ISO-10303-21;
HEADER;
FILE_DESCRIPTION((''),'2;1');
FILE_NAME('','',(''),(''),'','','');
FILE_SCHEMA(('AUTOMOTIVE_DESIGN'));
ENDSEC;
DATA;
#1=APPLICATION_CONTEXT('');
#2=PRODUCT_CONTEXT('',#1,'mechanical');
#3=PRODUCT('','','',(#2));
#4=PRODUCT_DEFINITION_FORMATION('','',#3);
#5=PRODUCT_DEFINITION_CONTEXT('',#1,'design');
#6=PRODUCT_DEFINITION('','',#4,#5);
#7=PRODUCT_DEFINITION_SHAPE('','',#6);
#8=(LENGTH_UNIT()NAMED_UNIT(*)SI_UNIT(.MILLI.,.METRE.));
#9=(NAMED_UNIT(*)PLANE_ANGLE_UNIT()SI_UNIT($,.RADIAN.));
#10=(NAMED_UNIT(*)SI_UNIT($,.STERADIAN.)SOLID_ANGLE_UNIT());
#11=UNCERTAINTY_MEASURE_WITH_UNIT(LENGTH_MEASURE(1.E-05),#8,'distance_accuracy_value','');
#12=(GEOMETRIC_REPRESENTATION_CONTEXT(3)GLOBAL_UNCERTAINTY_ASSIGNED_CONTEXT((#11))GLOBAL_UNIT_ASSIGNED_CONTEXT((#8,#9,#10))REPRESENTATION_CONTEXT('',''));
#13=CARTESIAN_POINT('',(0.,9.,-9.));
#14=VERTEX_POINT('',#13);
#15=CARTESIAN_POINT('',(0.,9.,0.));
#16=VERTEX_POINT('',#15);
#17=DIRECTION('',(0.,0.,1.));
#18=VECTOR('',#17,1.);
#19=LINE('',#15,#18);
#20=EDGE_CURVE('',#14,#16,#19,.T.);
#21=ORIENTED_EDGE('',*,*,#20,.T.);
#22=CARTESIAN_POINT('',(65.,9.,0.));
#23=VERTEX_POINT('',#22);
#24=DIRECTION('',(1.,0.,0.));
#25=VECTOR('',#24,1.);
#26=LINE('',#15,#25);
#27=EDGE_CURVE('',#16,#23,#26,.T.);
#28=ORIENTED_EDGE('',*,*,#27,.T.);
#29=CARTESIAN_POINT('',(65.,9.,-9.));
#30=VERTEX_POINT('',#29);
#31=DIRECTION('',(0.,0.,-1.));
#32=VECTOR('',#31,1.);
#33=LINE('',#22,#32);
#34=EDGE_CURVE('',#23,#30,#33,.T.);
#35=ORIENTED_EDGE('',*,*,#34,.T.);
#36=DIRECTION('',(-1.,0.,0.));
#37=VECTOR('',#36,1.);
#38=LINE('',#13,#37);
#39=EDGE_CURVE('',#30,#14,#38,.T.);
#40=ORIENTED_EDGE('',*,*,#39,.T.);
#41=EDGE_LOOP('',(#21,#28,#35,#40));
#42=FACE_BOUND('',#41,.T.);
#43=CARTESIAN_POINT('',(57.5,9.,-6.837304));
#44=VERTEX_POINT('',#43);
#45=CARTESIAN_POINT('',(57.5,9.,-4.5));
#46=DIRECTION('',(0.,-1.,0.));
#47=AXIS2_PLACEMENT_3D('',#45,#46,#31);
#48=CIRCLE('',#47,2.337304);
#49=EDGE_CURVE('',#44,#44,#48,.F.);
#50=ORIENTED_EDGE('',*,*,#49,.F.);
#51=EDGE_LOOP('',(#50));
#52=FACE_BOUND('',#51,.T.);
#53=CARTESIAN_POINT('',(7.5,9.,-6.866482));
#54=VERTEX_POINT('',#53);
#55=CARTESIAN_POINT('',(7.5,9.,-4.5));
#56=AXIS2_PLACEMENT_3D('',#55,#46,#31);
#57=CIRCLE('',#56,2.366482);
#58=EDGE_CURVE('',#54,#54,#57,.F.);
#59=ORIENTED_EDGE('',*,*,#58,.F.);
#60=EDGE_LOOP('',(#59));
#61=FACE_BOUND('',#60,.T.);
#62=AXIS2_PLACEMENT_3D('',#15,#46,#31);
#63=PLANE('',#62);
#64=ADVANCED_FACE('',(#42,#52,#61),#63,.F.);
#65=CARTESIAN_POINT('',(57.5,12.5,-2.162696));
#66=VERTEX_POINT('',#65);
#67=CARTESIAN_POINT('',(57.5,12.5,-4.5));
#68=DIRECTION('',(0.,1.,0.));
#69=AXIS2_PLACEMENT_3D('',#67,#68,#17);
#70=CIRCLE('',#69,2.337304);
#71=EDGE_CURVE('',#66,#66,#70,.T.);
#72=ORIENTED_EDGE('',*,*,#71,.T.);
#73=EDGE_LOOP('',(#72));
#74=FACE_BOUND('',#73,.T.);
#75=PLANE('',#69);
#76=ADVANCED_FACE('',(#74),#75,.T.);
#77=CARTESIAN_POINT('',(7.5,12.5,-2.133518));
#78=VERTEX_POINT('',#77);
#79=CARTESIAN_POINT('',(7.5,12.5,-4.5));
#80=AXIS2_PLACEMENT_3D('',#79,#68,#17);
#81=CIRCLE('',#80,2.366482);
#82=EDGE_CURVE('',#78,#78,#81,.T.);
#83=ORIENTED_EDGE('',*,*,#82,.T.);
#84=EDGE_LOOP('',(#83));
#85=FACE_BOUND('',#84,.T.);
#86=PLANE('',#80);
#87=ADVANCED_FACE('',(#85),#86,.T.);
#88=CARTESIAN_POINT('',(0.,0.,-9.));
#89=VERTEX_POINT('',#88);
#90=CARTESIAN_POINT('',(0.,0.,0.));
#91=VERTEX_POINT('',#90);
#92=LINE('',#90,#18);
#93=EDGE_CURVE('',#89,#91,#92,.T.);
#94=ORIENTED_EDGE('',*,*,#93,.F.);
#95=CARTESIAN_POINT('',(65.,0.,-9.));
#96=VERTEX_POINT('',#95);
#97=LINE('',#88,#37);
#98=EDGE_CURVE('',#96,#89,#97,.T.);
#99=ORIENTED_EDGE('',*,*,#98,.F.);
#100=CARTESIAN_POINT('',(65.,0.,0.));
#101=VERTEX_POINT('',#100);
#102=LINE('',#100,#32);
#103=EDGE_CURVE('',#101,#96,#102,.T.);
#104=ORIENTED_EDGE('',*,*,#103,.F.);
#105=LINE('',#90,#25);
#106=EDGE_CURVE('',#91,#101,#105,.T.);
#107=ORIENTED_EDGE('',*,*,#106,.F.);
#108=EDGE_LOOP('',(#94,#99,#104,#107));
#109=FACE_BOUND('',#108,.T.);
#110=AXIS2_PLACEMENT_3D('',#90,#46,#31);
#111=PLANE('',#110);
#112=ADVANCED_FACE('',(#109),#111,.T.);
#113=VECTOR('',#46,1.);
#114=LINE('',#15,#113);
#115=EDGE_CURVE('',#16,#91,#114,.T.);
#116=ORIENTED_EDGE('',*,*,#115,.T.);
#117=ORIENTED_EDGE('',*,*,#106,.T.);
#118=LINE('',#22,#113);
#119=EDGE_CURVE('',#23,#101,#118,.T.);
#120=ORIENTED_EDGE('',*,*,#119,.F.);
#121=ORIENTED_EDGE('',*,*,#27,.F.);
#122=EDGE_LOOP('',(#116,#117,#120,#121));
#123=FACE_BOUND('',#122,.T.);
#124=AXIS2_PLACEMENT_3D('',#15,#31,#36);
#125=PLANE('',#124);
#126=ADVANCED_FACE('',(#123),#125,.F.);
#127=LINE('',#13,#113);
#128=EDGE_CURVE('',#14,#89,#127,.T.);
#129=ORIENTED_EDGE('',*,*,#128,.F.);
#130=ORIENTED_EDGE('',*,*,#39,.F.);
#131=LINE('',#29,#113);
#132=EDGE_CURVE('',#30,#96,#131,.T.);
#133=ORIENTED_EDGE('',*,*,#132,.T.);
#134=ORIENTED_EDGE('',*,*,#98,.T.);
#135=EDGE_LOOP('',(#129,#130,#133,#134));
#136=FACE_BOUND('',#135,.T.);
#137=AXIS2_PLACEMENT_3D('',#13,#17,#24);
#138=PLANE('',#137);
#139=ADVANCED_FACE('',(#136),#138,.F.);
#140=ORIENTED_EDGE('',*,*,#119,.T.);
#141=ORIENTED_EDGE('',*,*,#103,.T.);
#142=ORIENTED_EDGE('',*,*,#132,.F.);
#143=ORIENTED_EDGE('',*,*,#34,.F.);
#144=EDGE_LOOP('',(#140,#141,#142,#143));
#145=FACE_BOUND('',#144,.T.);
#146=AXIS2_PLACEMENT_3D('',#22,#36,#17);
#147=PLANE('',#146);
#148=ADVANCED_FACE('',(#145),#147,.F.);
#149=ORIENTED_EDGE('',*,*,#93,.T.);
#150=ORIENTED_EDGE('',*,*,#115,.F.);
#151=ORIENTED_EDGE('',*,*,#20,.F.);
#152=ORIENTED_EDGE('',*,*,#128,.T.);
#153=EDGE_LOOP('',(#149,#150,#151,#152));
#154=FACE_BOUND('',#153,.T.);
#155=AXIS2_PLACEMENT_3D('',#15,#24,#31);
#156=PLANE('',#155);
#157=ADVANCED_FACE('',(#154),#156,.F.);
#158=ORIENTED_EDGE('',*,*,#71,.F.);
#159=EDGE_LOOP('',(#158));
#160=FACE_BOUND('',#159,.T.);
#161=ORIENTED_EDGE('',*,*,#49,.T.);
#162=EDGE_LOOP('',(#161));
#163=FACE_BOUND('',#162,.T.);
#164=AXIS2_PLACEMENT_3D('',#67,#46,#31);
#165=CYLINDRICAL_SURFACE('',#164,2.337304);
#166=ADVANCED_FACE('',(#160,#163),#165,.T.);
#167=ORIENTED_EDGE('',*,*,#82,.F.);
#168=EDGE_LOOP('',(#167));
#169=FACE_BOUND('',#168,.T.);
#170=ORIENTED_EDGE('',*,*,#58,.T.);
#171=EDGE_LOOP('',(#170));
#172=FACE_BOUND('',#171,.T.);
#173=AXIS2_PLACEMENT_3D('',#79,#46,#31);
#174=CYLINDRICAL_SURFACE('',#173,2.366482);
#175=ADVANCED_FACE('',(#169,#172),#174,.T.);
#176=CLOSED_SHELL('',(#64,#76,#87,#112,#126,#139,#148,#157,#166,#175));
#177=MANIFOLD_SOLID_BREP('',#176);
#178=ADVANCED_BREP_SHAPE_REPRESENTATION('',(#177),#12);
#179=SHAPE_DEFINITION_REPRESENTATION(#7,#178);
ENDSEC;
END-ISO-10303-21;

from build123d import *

# Parameters (mm, degrees)
SKETCH2_W           = 65
SKETCH2_H           = 9
BOSS_EXTRUDE1_DEPTH = 9
SKETCH3_R           = 2.366481758
SKETCH3_R_2         = 2.337304334
BOSS_EXTRUDE2_DEPTH = 3.5


with BuildPart() as part:
    # Sketch2 → Boss-Extrude1 (new body)
    with BuildSketch(Plane(origin=(0, 0, 0), x_dir=(1, 0, 0), z_dir=(0, 1, 0))):
        with Locations((32.5, 4.5)):
            Rectangle(SKETCH2_W, SKETCH2_H)
    extrude(amount=BOSS_EXTRUDE1_DEPTH)

    # Sketch3 → Boss-Extrude2 (add)
    with BuildSketch(Plane(origin=(0, 9, 0), x_dir=(1, 0, 0), z_dir=(0, 1, 0))):
        with Locations(Location((7.5, 4.5, 0), (0, 0, 90))):  # turned: the seam where the file's is
            Circle(SKETCH3_R)
        with Locations(Location((57.5, 4.5, 0), (0, 0, 90))):  # turned: the seam where the file's is
            Circle(SKETCH3_R_2)
    extrude(amount=BOSS_EXTRUDE2_DEPTH)


solid = part.part
